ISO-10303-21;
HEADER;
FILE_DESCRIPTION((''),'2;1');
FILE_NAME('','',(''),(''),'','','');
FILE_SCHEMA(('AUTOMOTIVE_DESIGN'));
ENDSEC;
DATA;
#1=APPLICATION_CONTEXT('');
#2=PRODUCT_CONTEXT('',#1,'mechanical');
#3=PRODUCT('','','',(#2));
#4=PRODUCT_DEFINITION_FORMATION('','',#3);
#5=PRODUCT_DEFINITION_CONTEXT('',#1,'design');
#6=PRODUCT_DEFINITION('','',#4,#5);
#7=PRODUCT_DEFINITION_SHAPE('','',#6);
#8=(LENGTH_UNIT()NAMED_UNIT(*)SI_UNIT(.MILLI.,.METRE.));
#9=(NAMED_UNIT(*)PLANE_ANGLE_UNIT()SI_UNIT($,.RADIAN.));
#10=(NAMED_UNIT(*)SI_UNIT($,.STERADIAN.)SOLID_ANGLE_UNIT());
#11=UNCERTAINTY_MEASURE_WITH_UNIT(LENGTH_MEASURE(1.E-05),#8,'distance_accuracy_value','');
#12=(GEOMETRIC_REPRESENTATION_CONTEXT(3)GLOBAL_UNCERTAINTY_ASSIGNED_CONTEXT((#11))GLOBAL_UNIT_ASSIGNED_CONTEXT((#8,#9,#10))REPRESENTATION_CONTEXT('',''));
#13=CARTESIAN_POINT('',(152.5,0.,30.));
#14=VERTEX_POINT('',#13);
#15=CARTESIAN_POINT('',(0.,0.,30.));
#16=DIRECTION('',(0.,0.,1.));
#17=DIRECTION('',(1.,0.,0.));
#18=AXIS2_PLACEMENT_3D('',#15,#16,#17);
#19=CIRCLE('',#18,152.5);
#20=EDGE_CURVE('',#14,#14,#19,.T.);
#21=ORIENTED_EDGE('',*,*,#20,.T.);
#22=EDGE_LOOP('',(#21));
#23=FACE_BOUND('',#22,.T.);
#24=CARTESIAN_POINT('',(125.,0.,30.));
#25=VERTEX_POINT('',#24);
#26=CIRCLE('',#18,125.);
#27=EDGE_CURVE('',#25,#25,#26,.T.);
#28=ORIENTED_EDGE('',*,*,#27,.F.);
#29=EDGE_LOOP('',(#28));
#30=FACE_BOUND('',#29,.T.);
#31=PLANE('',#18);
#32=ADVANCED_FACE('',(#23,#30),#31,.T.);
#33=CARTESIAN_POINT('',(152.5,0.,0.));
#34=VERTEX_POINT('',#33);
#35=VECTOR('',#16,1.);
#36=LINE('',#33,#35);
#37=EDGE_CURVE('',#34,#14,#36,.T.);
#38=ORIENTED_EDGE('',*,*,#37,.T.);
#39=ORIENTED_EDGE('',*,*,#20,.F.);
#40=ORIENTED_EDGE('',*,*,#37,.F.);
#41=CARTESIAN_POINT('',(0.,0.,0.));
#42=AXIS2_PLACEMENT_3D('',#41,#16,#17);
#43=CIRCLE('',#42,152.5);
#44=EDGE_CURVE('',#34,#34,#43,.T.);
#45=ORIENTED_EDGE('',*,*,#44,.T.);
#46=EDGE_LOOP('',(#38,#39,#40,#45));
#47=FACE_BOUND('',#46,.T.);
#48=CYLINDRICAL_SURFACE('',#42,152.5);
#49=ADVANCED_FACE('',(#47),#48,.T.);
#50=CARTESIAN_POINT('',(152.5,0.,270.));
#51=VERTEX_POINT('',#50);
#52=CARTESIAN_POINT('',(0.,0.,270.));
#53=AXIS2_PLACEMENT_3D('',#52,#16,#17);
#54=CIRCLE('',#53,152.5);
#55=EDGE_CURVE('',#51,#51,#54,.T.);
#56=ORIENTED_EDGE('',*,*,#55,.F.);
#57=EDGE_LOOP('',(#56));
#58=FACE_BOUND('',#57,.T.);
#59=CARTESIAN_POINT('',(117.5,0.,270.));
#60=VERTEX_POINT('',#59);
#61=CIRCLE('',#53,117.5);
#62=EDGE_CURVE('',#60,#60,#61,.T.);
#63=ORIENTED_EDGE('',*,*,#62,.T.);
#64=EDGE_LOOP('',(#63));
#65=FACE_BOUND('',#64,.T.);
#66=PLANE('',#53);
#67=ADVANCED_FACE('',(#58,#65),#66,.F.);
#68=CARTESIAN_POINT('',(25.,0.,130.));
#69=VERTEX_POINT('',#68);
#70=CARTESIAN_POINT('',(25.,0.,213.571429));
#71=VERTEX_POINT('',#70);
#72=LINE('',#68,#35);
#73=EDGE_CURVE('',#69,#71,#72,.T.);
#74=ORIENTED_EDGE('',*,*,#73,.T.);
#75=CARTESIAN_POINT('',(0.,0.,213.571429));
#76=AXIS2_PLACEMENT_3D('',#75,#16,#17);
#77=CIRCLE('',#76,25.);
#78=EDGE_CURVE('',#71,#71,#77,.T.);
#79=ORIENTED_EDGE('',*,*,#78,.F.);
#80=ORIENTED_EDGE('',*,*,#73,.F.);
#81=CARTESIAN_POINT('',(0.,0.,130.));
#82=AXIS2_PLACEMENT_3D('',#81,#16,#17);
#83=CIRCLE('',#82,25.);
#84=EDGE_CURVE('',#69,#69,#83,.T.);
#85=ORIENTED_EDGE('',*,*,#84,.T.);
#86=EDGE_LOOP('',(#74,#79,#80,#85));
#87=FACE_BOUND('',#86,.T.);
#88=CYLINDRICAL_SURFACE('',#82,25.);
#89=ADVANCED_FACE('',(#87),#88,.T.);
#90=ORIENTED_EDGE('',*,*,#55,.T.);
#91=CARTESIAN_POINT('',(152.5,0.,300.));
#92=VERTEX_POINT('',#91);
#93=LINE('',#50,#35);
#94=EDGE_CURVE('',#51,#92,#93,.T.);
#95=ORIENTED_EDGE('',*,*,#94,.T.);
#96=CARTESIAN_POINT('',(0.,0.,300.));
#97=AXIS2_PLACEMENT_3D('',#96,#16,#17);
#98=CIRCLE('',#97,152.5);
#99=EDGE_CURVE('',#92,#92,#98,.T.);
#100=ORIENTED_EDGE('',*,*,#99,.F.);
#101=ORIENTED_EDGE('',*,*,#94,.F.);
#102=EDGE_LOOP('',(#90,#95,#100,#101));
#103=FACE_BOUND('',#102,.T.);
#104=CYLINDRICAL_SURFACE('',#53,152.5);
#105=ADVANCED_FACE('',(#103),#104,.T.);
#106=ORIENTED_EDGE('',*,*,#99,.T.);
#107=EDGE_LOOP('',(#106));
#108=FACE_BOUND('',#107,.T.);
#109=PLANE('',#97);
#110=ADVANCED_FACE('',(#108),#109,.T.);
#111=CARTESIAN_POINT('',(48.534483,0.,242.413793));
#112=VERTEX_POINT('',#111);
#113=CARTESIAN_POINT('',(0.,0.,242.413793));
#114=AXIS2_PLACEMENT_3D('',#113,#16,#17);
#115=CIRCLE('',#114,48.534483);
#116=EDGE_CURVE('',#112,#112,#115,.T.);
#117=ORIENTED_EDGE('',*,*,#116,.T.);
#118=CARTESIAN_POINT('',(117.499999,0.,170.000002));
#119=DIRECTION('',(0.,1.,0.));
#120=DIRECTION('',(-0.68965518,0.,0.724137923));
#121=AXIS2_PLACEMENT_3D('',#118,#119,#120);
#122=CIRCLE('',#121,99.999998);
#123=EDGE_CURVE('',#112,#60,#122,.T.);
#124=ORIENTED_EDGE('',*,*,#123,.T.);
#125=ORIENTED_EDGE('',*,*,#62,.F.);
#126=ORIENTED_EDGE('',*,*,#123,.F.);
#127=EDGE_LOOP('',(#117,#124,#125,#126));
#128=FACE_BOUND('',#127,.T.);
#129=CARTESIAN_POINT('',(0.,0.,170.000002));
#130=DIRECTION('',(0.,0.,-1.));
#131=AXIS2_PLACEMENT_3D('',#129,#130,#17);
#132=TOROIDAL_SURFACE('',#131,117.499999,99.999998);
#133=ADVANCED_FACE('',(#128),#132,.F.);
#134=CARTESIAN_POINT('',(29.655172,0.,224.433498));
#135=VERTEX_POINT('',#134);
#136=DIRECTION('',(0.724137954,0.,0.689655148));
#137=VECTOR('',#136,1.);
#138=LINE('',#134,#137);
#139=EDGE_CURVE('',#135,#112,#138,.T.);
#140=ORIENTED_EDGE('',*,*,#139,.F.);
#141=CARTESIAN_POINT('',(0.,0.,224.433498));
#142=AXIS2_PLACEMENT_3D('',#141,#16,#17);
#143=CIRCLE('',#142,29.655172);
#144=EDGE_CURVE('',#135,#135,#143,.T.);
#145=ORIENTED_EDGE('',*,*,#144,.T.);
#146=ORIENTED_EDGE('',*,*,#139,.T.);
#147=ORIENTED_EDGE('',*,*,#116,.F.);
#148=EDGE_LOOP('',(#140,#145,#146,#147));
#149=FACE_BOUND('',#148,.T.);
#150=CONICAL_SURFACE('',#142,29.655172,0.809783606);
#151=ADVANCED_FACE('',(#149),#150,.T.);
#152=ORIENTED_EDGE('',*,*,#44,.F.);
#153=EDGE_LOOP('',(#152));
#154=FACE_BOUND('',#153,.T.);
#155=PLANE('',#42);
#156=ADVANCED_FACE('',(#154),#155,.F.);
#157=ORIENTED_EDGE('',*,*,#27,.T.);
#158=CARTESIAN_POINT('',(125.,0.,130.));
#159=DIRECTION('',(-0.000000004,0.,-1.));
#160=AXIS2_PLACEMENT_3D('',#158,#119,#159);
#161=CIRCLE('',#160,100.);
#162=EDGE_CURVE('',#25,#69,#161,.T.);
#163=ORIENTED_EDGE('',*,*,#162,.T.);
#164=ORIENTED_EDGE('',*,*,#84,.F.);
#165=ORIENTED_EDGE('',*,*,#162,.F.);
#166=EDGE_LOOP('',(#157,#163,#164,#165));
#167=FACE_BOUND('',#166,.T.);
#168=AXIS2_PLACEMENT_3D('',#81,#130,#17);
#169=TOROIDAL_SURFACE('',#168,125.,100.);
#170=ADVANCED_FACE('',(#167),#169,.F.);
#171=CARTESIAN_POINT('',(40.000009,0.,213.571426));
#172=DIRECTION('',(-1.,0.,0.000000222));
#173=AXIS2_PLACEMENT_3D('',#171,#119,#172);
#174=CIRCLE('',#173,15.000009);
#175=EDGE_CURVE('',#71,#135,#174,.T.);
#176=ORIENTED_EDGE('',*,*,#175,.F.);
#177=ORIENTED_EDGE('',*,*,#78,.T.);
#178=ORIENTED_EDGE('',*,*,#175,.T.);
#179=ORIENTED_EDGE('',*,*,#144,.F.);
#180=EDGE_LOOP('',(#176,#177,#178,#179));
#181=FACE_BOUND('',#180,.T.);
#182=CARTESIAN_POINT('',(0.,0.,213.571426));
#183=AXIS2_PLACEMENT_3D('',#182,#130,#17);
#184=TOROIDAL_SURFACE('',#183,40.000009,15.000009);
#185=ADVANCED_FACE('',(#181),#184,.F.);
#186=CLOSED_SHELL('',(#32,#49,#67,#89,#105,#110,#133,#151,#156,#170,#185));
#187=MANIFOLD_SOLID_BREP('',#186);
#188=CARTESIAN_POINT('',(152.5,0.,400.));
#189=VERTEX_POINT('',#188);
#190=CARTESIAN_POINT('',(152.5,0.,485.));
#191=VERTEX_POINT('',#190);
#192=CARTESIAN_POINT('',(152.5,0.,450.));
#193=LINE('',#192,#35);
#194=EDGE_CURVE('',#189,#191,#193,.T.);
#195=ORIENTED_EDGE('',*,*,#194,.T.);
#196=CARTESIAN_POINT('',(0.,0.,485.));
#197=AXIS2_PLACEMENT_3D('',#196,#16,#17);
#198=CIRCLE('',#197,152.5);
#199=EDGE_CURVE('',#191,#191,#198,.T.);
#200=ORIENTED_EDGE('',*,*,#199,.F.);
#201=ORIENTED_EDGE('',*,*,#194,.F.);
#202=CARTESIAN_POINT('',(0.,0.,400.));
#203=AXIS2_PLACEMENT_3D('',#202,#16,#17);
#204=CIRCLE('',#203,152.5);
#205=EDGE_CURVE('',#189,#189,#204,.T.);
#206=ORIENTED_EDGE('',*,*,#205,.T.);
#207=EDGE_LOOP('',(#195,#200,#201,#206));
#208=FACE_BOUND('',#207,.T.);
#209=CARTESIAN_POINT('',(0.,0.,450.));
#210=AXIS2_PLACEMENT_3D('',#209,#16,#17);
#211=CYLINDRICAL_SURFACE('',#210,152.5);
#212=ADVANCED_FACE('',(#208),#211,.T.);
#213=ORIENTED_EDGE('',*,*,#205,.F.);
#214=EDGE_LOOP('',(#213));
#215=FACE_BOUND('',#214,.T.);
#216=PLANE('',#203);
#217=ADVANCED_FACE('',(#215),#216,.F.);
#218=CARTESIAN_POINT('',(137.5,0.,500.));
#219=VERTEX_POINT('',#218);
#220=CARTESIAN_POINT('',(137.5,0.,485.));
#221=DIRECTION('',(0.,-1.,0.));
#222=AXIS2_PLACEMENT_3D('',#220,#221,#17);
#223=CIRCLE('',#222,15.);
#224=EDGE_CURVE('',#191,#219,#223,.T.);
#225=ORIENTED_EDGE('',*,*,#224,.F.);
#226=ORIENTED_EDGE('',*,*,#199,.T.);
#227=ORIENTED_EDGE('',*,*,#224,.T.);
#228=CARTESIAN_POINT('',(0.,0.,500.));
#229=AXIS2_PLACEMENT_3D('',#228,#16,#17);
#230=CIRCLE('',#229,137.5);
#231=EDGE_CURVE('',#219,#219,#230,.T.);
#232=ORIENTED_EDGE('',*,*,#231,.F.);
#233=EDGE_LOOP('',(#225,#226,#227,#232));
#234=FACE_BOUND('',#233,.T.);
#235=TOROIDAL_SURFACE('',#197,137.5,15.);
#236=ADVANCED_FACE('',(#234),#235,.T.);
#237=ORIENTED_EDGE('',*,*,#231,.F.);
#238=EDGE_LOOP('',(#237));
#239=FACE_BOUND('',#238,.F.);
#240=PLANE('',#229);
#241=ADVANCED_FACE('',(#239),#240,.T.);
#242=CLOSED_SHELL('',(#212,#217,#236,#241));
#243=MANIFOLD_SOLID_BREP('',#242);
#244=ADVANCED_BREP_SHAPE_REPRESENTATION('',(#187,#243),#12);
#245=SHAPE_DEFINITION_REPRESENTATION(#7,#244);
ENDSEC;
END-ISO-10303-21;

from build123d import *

# Parameters (mm, degrees)
F0_W = 152.5
F0_H = 100
F2_R = 15


with BuildPart() as f1:
    # F0 (on Front) → F1 (revolve)
    with BuildSketch(Plane.XZ):
        with BuildLine():
            Line((0, 300), (0, 0))
            Line((0, 0), (152.5, 0))
            Line((152.5, 0), (152.5, 30))
            Line((152.5, 30), (125, 30))
            ThreePointArc((125, 30), (54.289322, 59.289322), (25, 130))
            Line((25, 130), (25, 213.571429))
            ThreePointArc((25, 213.571429), (26.212825, 219.480218), (29.655172, 224.433498))
            Line((29.655172, 224.433498), (48.534483, 242.413793))
            ThreePointArc((48.534483, 242.413793), (80.360932, 262.847669), (117.5, 270))
            Line((117.5, 270), (152.5, 270))
            Line((152.5, 270), (152.5, 300))
            Line((152.5, 300), (0, 300))
        make_face()
        with Locations((76.25, 450)):
            Rectangle(F0_W, F0_H)
    revolve(axis=Axis((0, 0, 150), (0, 0, 1)))

    # F2
    f2_edges = [f1.edges().sort_by_distance(p)[0] for p in [
        (-152.5, 0, 500),
    ]]
    fillet(f2_edges, radius=F2_R)


solid = f1.part
